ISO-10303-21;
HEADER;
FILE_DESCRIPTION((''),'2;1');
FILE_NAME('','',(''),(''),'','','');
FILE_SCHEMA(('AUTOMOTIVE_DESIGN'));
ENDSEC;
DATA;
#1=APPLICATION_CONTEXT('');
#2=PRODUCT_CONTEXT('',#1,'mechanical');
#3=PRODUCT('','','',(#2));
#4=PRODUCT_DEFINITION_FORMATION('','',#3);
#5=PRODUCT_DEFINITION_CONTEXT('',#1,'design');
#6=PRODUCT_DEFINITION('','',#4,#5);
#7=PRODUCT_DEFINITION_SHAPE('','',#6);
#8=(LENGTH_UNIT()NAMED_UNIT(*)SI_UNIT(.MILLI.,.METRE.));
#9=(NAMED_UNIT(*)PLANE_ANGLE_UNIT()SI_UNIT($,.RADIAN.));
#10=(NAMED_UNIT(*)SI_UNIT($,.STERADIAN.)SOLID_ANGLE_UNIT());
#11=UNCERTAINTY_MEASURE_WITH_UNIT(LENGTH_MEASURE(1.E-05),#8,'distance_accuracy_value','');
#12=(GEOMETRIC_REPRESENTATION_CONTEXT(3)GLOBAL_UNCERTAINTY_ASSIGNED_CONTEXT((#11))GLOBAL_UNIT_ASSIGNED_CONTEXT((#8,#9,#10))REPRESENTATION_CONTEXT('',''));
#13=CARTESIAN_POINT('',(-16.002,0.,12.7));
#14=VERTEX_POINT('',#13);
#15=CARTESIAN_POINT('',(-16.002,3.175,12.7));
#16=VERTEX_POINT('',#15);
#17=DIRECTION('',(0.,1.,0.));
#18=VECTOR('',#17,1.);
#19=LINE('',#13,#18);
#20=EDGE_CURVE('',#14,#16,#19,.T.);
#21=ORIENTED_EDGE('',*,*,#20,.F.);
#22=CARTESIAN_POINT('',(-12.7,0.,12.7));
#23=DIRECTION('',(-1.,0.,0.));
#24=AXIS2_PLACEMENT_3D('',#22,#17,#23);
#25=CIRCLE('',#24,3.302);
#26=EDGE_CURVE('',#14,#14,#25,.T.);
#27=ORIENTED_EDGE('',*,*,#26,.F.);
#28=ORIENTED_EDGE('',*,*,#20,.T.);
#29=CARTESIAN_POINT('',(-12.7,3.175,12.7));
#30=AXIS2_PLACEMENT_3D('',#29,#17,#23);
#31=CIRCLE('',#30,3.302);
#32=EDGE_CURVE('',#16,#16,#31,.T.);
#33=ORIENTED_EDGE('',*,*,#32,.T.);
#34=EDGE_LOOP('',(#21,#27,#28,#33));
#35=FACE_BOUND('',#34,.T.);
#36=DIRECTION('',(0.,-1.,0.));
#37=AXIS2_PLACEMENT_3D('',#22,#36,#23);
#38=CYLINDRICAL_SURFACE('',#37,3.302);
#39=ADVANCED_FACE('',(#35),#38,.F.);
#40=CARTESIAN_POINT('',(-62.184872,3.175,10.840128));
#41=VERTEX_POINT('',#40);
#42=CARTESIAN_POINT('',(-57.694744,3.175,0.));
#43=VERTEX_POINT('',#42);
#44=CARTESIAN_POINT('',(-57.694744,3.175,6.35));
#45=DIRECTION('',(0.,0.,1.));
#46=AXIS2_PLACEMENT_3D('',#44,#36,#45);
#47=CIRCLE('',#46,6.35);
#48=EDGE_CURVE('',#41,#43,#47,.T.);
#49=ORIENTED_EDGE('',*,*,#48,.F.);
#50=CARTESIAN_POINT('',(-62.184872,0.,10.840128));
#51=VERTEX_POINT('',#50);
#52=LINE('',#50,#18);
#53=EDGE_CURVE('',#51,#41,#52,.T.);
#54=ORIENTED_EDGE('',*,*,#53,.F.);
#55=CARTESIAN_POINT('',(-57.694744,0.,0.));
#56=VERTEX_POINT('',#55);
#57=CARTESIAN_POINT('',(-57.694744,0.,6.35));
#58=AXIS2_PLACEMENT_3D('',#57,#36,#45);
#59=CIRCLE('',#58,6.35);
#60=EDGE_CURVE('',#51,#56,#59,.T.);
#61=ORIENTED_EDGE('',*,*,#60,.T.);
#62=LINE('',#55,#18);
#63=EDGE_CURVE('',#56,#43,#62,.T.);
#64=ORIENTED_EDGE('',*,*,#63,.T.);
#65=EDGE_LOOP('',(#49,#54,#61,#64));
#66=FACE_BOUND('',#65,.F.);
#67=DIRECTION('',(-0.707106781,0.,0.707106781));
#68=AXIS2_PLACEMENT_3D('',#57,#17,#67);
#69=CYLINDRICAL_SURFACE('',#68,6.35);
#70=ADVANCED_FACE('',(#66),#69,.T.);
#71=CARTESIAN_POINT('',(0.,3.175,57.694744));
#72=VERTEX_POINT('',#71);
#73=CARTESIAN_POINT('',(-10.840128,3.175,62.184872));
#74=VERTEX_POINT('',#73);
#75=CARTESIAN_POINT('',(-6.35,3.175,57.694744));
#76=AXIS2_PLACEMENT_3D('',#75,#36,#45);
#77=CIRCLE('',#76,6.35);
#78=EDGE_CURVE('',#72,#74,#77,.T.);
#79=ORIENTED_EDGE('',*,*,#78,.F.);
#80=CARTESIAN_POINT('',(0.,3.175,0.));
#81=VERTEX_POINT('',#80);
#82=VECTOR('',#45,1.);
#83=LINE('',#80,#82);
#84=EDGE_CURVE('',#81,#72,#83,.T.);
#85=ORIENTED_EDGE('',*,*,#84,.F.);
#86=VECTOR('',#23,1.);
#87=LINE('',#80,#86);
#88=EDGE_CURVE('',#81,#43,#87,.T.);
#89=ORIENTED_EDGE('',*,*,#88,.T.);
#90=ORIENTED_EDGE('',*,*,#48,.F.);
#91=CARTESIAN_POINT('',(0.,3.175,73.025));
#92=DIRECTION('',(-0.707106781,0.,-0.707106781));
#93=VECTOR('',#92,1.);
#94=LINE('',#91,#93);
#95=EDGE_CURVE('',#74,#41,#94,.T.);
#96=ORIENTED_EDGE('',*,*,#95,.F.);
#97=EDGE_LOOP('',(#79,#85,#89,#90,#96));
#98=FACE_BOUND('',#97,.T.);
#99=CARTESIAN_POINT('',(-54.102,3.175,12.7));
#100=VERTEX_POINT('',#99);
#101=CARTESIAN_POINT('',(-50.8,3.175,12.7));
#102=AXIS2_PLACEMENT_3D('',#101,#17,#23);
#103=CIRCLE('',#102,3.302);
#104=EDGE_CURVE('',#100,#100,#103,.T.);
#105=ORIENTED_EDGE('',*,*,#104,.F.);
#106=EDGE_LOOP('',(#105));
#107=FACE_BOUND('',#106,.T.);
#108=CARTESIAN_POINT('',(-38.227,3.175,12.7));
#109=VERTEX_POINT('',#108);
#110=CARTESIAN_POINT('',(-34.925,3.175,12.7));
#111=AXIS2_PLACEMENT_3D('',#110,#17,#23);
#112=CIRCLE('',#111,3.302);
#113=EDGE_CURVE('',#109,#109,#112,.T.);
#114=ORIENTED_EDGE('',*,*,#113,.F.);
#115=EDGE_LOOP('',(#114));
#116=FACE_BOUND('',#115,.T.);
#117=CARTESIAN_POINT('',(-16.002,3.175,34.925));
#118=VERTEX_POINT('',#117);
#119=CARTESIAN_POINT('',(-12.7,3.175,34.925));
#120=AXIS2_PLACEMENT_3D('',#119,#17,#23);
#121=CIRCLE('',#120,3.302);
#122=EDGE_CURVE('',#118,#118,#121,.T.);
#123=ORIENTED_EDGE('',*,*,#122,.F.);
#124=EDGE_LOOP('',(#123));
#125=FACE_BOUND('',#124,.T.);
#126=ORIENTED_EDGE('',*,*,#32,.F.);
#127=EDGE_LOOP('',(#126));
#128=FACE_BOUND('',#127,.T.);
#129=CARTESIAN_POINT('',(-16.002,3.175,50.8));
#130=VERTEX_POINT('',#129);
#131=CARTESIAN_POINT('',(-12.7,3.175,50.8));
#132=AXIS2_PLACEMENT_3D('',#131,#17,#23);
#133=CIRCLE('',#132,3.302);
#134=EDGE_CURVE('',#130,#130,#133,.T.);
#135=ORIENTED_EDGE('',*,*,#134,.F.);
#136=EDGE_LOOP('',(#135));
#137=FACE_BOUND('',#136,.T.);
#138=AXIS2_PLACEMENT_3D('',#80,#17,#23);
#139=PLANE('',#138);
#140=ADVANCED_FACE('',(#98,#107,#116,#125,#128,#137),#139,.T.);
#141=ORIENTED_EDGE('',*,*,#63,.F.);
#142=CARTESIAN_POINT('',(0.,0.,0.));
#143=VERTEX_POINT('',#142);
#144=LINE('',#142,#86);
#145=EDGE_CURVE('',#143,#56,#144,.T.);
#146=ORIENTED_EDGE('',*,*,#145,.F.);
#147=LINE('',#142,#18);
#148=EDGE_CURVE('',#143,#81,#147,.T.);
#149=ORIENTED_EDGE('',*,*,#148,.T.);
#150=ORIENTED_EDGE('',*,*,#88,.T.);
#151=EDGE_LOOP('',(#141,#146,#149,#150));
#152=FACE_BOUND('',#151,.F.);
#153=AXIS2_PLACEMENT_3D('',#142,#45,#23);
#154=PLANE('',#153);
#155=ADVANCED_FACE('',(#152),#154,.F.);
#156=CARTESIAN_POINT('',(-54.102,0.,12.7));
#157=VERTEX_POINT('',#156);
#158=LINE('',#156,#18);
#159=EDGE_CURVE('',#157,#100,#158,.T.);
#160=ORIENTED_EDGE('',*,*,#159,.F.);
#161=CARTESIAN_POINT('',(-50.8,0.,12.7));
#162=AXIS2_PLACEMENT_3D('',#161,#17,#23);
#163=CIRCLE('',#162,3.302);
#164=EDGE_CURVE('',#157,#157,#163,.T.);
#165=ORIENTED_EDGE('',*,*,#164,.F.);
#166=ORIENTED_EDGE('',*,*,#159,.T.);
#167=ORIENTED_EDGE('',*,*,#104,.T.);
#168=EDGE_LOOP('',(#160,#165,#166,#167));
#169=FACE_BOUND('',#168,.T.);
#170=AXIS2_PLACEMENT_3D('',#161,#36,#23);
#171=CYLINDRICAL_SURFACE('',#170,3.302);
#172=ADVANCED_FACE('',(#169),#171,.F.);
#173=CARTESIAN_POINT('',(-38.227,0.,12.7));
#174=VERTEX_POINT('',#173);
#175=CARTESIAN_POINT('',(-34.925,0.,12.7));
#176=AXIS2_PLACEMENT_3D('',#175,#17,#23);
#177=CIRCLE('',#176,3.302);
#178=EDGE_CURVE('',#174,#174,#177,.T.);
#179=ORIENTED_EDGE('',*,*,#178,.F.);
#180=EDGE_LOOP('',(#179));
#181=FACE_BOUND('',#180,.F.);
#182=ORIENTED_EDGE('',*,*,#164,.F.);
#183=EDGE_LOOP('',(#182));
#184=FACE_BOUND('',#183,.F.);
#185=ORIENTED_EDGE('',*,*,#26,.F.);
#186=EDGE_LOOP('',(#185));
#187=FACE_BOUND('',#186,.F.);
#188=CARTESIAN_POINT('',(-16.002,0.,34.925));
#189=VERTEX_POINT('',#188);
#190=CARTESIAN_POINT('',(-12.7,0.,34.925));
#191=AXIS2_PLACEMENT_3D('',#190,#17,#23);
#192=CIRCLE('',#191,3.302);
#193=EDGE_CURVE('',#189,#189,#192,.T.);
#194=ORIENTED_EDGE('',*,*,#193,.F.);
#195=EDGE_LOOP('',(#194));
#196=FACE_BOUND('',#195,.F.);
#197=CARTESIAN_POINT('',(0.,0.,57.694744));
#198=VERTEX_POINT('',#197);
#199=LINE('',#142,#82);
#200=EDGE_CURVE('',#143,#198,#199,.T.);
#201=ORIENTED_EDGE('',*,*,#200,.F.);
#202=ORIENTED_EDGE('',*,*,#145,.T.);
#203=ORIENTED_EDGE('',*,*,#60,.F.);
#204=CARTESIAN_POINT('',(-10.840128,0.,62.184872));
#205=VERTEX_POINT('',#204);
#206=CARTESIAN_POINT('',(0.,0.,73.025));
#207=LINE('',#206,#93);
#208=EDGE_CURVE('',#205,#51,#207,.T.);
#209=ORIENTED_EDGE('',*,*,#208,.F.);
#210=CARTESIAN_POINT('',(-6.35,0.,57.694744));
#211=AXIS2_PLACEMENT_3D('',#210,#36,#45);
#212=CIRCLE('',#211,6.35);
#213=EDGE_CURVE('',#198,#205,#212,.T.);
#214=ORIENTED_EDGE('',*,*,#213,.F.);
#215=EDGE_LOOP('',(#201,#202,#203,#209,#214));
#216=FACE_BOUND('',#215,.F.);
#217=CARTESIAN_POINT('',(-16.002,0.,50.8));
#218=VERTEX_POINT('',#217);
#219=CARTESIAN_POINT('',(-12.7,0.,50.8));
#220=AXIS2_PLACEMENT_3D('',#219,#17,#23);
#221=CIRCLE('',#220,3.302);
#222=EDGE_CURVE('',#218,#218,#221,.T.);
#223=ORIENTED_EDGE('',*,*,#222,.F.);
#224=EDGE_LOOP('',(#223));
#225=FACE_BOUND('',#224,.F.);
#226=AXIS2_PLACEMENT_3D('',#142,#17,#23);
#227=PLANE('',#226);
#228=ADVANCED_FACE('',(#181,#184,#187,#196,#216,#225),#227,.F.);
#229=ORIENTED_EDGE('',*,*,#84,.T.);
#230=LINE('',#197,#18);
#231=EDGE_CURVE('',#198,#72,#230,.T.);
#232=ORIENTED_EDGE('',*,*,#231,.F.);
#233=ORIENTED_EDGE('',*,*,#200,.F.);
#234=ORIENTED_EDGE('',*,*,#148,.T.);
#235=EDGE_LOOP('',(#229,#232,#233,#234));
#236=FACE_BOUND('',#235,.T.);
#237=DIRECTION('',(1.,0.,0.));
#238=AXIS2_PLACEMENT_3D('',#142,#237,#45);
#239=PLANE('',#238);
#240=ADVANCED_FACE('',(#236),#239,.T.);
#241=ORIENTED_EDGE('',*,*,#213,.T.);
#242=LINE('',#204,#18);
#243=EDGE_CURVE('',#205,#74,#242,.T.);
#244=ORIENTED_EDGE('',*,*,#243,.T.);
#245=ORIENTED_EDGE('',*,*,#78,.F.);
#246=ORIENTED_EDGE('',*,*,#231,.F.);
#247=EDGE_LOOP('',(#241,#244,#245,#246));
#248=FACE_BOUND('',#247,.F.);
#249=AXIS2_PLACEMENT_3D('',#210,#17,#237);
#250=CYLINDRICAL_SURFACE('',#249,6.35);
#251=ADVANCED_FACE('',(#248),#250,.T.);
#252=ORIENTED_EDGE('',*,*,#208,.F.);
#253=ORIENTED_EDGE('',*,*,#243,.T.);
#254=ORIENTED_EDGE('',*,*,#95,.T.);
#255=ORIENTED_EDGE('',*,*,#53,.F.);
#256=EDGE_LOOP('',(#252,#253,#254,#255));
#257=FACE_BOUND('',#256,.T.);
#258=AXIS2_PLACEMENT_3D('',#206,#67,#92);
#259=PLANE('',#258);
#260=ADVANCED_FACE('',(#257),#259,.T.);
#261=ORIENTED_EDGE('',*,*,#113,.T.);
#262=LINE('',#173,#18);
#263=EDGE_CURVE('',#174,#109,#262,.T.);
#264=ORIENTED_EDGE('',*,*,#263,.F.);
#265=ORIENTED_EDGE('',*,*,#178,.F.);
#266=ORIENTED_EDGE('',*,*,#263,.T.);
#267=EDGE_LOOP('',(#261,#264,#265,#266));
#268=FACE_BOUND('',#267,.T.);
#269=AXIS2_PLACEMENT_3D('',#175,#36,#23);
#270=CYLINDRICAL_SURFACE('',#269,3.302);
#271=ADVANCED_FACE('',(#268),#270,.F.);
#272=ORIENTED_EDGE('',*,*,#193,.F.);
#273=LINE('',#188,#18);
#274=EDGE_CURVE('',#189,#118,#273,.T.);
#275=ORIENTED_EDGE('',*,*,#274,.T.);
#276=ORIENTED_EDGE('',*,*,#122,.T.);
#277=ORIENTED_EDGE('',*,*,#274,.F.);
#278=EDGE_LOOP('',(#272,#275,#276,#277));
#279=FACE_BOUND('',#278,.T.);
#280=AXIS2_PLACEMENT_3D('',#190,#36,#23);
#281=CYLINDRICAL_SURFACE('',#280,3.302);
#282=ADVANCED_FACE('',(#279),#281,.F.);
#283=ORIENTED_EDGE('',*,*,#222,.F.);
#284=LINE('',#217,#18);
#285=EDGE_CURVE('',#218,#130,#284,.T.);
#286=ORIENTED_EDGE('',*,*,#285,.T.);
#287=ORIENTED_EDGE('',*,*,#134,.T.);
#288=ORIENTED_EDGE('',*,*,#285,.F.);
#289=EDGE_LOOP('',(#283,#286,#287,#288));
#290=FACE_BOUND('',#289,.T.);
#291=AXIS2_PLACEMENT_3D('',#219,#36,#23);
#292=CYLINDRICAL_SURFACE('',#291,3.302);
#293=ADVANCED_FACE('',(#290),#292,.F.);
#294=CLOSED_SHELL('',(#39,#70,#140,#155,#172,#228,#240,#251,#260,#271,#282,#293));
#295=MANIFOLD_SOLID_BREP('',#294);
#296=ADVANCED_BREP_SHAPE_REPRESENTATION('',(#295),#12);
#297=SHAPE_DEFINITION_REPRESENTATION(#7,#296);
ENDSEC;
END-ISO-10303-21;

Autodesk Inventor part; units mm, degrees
ref_plane "YZ Plane" through (0, 0, 0) normal (1, 0, 0) x (0, 1, 0)
ref_plane "XZ Plane" through (0, 0, 0) normal (0, 1, 0) x (-1, 0, 0)
ref_plane "XY Plane" through (0, 0, 0) normal (0, 0, 1) x (1, 0, 0)
sketch "Sketch1" plane through (0, 0, 0) normal (0, 1, 0) x (-1, 0, 0)
  line L0 (0, 0) -> (73.025, 0)
  line L1 (0, 0) -> (0, 73.025)
  line L2 (0, 73.025) -> (73.025, 0)
  line L3 (12.7, 0) -> (12.7, 60.325) construction
  line L4 (0, 12.7) -> (60.325, 12.7) construction
  circle A0 centre (12.7, 34.925) radius 3.302
  circle A1 centre (34.925, 12.7) radius 3.302
  circle A2 centre (50.8, 12.7) radius 3.302
  circle A3 centre (12.7, 50.8) radius 3.302
  circle A4 centre (12.7, 12.7) radius 3.302
  line L5 (0, 34.925) -> (38.1, 34.925) construction
  line L6 (34.925, 38.1) -> (34.925, 0) construction
  dimension "d0" = 73.025
  dimension "d1" = 73.025
  dimension "d2" = 12.7
  dimension "d3" = 12.7
  dimension "d4" = 6.604
  dimension "d5" = 6.604
  dimension "d6" = 6.604
  dimension "d7" = 6.604
  dimension "d8" = 15.875
  dimension "d9" = 15.875
  dimension "d10" = 6.604
  dimension "d14" = 34.925
  dimension "d15" = 34.925
extrude "Extrusion1" add sketch "Sketch1" along normal blind 3.175
fillet "Fillet1" radius 6.35 2 edges at (0, 1.5875, 73.025) (-73.025, 1.5875, 0)
equation "\"d0\" = d1"
equation "\"d2\" = d3"
equation "\"d4\" = d7"
equation "\"d5\" = d7"
equation "\"d6\" = d7"
equation "\"d9\" = d8"
equation "\"d10\" = d7"
equation "\"d15\" = d14"
properties part number "Chassis Corner Plate V1.500" material "Aluminum 6061"
